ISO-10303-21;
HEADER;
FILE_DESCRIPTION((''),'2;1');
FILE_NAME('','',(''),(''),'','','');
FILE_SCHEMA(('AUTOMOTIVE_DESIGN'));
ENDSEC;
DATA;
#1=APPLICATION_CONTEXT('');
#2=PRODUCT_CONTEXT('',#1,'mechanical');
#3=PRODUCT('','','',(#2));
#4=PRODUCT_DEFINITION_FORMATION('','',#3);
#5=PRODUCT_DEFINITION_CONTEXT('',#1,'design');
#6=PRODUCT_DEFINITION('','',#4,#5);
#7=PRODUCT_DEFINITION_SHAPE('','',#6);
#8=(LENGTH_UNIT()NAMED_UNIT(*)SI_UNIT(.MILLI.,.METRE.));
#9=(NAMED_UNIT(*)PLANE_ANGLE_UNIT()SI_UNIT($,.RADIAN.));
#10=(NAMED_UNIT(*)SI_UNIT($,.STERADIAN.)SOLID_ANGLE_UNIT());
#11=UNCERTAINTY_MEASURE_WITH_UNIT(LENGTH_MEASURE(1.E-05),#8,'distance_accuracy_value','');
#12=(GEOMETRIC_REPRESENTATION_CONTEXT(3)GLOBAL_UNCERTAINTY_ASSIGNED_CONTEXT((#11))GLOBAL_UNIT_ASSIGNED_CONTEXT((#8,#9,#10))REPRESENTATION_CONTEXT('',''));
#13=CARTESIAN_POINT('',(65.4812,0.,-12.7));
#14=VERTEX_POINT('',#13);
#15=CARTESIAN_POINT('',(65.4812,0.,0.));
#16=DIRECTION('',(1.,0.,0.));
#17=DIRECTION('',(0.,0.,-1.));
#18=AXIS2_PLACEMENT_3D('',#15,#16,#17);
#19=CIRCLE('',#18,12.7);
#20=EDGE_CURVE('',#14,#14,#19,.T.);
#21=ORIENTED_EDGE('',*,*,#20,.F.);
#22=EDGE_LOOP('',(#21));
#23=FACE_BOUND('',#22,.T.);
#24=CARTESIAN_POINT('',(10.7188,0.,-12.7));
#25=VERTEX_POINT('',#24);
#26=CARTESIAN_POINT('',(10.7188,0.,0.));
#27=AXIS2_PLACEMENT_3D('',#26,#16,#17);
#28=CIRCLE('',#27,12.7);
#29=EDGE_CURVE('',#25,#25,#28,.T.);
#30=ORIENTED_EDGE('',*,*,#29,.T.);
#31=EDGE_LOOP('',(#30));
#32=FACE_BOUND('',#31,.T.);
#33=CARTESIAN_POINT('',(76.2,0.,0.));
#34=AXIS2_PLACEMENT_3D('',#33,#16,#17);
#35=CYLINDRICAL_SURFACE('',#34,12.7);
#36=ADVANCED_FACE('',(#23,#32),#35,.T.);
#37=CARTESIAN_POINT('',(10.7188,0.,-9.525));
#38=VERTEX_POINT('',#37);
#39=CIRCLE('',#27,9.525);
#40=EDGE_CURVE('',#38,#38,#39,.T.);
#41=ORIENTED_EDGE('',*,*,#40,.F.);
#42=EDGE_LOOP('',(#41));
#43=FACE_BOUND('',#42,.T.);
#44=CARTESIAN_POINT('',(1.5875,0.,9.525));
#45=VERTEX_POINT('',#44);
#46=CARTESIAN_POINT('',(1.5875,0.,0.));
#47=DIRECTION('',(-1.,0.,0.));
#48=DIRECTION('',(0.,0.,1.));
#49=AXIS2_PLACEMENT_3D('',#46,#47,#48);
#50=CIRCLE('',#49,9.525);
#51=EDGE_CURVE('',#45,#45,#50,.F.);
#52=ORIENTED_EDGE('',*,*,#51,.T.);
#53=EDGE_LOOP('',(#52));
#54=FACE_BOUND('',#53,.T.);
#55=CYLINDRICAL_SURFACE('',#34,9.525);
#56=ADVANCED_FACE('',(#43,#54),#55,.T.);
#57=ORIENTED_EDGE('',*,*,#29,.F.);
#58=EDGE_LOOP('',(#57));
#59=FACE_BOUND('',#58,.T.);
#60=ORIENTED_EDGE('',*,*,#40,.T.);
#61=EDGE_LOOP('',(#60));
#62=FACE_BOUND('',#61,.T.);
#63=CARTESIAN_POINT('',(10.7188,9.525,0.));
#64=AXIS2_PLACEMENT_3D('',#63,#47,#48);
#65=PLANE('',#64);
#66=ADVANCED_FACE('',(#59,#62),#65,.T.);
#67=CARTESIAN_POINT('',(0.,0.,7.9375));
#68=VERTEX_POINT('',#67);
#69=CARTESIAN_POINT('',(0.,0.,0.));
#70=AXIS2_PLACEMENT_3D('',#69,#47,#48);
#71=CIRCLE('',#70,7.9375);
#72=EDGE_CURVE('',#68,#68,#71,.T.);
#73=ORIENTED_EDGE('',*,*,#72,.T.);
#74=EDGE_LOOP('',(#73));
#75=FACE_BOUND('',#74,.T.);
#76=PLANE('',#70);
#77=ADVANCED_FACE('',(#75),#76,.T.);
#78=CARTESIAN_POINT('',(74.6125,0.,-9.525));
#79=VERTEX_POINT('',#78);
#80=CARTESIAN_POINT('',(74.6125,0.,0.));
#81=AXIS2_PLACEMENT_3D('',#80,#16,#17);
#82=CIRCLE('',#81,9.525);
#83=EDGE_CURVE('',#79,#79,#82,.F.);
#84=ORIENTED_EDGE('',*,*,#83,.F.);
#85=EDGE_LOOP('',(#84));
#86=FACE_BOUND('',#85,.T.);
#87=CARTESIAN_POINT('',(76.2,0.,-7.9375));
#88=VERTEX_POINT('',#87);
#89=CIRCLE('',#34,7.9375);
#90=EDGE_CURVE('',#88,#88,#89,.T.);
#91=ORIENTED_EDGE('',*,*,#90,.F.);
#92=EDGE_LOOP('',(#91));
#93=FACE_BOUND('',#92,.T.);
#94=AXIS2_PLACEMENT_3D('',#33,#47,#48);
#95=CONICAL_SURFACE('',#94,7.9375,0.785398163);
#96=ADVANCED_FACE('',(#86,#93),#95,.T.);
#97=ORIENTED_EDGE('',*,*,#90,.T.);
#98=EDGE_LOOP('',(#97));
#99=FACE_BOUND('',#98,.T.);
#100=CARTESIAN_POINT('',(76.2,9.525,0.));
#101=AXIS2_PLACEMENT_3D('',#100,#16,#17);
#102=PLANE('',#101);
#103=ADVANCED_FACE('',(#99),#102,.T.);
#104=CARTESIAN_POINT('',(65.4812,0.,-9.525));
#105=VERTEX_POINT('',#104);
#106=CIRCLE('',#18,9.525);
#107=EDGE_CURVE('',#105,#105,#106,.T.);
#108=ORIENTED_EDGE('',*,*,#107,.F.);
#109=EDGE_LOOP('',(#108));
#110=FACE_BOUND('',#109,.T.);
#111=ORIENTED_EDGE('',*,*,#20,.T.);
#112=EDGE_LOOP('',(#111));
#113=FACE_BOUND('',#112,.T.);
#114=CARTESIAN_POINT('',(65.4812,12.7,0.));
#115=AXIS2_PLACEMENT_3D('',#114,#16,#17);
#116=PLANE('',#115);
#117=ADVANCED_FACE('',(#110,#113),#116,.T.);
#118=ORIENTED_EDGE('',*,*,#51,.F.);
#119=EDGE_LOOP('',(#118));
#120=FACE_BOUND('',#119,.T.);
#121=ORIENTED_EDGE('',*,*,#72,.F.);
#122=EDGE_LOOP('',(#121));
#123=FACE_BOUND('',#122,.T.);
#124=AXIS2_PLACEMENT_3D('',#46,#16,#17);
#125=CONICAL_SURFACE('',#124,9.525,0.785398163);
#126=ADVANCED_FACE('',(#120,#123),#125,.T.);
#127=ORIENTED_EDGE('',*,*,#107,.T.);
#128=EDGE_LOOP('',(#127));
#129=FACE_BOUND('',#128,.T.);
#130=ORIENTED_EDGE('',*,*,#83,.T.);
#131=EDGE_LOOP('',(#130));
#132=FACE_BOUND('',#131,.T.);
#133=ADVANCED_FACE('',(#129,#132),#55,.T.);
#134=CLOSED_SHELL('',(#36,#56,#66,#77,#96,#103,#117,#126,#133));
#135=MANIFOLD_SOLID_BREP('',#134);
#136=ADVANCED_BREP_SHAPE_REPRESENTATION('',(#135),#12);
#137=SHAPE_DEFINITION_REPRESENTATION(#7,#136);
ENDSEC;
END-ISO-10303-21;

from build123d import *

# Parameters (mm, degrees)
CHAMFER1_SIZE = 1.5875
CHAMFER2_SIZE = 1.5875


with BuildPart() as part:
    # Sketch1 → Revolve1 (revolve)
    with BuildSketch(Plane.XY):
        Polygon((0, 0), (0, 9.525), (10.7188, 9.525), (10.7188, 12.7), (65.4812, 12.7), (65.4812, 9.525), (76.2, 9.525), (76.2, 0), align=None)
    revolve(axis=Axis((76.2, 0, 0), (-1, 0, 0)))

    # Chamfer1
    chamfer1_edges = [part.edges().sort_by_distance(p)[0] for p in [
        (76.2, -9.525, 0),
    ]]
    chamfer(chamfer1_edges, length=CHAMFER1_SIZE)

    # Chamfer2
    chamfer2_edges = [part.edges().sort_by_distance(p)[0] for p in [
        (0, -9.525, 0),
    ]]
    chamfer(chamfer2_edges, length=CHAMFER2_SIZE)


solid = part.part
